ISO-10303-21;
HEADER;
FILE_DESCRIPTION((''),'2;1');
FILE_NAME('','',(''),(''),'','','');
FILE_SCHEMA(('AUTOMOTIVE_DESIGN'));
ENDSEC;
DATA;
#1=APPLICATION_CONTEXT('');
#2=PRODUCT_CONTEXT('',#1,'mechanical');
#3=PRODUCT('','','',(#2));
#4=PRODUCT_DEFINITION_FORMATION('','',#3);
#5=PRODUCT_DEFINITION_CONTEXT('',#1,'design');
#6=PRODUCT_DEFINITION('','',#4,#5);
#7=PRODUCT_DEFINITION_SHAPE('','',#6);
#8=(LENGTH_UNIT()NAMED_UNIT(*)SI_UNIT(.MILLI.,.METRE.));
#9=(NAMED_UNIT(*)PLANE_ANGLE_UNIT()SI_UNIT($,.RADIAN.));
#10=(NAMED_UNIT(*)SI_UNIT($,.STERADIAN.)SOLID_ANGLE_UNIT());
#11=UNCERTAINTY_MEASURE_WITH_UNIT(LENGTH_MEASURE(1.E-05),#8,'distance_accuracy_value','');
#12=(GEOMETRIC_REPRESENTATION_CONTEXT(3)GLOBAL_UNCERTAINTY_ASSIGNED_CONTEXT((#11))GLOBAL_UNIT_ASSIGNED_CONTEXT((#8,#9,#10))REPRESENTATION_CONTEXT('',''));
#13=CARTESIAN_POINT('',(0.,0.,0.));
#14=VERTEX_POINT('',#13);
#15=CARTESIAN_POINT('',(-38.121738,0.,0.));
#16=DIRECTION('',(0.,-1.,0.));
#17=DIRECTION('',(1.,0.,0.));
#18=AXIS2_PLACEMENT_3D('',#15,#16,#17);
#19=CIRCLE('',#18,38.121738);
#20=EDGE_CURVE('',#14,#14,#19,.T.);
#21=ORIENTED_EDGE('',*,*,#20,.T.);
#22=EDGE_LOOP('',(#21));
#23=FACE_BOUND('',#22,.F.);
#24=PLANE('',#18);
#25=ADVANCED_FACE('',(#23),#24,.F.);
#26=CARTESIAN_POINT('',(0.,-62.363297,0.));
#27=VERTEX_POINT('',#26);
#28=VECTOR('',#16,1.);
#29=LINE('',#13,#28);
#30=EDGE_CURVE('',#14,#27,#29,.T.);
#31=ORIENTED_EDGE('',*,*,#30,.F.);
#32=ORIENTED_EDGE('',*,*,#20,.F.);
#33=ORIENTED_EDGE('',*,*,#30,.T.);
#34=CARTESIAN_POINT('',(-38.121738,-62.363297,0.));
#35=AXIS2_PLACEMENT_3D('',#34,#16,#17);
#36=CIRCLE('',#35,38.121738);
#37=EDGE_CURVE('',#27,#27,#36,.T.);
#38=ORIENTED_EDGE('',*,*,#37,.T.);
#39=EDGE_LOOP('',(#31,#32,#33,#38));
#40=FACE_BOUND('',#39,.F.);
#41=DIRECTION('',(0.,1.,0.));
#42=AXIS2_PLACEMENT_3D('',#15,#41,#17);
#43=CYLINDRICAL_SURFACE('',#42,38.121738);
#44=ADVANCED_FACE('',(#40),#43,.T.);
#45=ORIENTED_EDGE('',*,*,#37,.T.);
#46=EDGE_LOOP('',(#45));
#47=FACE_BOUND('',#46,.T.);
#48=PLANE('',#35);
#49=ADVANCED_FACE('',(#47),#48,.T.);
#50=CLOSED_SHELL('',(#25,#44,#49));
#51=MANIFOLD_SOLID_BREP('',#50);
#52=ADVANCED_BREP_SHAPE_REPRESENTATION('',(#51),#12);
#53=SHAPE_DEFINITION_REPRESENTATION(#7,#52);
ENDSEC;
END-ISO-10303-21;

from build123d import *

# Parameters (mm, degrees)
F1_R     = 38.121738
F2_DEPTH = 62.363297


with BuildPart() as f2:
    # F1 (on face) → F2 (new body)
    with BuildSketch(Plane.XZ):
        with Locations((-38.121738, 0)):
            Circle(F1_R)
    extrude(amount=F2_DEPTH)


solid = f2.part
